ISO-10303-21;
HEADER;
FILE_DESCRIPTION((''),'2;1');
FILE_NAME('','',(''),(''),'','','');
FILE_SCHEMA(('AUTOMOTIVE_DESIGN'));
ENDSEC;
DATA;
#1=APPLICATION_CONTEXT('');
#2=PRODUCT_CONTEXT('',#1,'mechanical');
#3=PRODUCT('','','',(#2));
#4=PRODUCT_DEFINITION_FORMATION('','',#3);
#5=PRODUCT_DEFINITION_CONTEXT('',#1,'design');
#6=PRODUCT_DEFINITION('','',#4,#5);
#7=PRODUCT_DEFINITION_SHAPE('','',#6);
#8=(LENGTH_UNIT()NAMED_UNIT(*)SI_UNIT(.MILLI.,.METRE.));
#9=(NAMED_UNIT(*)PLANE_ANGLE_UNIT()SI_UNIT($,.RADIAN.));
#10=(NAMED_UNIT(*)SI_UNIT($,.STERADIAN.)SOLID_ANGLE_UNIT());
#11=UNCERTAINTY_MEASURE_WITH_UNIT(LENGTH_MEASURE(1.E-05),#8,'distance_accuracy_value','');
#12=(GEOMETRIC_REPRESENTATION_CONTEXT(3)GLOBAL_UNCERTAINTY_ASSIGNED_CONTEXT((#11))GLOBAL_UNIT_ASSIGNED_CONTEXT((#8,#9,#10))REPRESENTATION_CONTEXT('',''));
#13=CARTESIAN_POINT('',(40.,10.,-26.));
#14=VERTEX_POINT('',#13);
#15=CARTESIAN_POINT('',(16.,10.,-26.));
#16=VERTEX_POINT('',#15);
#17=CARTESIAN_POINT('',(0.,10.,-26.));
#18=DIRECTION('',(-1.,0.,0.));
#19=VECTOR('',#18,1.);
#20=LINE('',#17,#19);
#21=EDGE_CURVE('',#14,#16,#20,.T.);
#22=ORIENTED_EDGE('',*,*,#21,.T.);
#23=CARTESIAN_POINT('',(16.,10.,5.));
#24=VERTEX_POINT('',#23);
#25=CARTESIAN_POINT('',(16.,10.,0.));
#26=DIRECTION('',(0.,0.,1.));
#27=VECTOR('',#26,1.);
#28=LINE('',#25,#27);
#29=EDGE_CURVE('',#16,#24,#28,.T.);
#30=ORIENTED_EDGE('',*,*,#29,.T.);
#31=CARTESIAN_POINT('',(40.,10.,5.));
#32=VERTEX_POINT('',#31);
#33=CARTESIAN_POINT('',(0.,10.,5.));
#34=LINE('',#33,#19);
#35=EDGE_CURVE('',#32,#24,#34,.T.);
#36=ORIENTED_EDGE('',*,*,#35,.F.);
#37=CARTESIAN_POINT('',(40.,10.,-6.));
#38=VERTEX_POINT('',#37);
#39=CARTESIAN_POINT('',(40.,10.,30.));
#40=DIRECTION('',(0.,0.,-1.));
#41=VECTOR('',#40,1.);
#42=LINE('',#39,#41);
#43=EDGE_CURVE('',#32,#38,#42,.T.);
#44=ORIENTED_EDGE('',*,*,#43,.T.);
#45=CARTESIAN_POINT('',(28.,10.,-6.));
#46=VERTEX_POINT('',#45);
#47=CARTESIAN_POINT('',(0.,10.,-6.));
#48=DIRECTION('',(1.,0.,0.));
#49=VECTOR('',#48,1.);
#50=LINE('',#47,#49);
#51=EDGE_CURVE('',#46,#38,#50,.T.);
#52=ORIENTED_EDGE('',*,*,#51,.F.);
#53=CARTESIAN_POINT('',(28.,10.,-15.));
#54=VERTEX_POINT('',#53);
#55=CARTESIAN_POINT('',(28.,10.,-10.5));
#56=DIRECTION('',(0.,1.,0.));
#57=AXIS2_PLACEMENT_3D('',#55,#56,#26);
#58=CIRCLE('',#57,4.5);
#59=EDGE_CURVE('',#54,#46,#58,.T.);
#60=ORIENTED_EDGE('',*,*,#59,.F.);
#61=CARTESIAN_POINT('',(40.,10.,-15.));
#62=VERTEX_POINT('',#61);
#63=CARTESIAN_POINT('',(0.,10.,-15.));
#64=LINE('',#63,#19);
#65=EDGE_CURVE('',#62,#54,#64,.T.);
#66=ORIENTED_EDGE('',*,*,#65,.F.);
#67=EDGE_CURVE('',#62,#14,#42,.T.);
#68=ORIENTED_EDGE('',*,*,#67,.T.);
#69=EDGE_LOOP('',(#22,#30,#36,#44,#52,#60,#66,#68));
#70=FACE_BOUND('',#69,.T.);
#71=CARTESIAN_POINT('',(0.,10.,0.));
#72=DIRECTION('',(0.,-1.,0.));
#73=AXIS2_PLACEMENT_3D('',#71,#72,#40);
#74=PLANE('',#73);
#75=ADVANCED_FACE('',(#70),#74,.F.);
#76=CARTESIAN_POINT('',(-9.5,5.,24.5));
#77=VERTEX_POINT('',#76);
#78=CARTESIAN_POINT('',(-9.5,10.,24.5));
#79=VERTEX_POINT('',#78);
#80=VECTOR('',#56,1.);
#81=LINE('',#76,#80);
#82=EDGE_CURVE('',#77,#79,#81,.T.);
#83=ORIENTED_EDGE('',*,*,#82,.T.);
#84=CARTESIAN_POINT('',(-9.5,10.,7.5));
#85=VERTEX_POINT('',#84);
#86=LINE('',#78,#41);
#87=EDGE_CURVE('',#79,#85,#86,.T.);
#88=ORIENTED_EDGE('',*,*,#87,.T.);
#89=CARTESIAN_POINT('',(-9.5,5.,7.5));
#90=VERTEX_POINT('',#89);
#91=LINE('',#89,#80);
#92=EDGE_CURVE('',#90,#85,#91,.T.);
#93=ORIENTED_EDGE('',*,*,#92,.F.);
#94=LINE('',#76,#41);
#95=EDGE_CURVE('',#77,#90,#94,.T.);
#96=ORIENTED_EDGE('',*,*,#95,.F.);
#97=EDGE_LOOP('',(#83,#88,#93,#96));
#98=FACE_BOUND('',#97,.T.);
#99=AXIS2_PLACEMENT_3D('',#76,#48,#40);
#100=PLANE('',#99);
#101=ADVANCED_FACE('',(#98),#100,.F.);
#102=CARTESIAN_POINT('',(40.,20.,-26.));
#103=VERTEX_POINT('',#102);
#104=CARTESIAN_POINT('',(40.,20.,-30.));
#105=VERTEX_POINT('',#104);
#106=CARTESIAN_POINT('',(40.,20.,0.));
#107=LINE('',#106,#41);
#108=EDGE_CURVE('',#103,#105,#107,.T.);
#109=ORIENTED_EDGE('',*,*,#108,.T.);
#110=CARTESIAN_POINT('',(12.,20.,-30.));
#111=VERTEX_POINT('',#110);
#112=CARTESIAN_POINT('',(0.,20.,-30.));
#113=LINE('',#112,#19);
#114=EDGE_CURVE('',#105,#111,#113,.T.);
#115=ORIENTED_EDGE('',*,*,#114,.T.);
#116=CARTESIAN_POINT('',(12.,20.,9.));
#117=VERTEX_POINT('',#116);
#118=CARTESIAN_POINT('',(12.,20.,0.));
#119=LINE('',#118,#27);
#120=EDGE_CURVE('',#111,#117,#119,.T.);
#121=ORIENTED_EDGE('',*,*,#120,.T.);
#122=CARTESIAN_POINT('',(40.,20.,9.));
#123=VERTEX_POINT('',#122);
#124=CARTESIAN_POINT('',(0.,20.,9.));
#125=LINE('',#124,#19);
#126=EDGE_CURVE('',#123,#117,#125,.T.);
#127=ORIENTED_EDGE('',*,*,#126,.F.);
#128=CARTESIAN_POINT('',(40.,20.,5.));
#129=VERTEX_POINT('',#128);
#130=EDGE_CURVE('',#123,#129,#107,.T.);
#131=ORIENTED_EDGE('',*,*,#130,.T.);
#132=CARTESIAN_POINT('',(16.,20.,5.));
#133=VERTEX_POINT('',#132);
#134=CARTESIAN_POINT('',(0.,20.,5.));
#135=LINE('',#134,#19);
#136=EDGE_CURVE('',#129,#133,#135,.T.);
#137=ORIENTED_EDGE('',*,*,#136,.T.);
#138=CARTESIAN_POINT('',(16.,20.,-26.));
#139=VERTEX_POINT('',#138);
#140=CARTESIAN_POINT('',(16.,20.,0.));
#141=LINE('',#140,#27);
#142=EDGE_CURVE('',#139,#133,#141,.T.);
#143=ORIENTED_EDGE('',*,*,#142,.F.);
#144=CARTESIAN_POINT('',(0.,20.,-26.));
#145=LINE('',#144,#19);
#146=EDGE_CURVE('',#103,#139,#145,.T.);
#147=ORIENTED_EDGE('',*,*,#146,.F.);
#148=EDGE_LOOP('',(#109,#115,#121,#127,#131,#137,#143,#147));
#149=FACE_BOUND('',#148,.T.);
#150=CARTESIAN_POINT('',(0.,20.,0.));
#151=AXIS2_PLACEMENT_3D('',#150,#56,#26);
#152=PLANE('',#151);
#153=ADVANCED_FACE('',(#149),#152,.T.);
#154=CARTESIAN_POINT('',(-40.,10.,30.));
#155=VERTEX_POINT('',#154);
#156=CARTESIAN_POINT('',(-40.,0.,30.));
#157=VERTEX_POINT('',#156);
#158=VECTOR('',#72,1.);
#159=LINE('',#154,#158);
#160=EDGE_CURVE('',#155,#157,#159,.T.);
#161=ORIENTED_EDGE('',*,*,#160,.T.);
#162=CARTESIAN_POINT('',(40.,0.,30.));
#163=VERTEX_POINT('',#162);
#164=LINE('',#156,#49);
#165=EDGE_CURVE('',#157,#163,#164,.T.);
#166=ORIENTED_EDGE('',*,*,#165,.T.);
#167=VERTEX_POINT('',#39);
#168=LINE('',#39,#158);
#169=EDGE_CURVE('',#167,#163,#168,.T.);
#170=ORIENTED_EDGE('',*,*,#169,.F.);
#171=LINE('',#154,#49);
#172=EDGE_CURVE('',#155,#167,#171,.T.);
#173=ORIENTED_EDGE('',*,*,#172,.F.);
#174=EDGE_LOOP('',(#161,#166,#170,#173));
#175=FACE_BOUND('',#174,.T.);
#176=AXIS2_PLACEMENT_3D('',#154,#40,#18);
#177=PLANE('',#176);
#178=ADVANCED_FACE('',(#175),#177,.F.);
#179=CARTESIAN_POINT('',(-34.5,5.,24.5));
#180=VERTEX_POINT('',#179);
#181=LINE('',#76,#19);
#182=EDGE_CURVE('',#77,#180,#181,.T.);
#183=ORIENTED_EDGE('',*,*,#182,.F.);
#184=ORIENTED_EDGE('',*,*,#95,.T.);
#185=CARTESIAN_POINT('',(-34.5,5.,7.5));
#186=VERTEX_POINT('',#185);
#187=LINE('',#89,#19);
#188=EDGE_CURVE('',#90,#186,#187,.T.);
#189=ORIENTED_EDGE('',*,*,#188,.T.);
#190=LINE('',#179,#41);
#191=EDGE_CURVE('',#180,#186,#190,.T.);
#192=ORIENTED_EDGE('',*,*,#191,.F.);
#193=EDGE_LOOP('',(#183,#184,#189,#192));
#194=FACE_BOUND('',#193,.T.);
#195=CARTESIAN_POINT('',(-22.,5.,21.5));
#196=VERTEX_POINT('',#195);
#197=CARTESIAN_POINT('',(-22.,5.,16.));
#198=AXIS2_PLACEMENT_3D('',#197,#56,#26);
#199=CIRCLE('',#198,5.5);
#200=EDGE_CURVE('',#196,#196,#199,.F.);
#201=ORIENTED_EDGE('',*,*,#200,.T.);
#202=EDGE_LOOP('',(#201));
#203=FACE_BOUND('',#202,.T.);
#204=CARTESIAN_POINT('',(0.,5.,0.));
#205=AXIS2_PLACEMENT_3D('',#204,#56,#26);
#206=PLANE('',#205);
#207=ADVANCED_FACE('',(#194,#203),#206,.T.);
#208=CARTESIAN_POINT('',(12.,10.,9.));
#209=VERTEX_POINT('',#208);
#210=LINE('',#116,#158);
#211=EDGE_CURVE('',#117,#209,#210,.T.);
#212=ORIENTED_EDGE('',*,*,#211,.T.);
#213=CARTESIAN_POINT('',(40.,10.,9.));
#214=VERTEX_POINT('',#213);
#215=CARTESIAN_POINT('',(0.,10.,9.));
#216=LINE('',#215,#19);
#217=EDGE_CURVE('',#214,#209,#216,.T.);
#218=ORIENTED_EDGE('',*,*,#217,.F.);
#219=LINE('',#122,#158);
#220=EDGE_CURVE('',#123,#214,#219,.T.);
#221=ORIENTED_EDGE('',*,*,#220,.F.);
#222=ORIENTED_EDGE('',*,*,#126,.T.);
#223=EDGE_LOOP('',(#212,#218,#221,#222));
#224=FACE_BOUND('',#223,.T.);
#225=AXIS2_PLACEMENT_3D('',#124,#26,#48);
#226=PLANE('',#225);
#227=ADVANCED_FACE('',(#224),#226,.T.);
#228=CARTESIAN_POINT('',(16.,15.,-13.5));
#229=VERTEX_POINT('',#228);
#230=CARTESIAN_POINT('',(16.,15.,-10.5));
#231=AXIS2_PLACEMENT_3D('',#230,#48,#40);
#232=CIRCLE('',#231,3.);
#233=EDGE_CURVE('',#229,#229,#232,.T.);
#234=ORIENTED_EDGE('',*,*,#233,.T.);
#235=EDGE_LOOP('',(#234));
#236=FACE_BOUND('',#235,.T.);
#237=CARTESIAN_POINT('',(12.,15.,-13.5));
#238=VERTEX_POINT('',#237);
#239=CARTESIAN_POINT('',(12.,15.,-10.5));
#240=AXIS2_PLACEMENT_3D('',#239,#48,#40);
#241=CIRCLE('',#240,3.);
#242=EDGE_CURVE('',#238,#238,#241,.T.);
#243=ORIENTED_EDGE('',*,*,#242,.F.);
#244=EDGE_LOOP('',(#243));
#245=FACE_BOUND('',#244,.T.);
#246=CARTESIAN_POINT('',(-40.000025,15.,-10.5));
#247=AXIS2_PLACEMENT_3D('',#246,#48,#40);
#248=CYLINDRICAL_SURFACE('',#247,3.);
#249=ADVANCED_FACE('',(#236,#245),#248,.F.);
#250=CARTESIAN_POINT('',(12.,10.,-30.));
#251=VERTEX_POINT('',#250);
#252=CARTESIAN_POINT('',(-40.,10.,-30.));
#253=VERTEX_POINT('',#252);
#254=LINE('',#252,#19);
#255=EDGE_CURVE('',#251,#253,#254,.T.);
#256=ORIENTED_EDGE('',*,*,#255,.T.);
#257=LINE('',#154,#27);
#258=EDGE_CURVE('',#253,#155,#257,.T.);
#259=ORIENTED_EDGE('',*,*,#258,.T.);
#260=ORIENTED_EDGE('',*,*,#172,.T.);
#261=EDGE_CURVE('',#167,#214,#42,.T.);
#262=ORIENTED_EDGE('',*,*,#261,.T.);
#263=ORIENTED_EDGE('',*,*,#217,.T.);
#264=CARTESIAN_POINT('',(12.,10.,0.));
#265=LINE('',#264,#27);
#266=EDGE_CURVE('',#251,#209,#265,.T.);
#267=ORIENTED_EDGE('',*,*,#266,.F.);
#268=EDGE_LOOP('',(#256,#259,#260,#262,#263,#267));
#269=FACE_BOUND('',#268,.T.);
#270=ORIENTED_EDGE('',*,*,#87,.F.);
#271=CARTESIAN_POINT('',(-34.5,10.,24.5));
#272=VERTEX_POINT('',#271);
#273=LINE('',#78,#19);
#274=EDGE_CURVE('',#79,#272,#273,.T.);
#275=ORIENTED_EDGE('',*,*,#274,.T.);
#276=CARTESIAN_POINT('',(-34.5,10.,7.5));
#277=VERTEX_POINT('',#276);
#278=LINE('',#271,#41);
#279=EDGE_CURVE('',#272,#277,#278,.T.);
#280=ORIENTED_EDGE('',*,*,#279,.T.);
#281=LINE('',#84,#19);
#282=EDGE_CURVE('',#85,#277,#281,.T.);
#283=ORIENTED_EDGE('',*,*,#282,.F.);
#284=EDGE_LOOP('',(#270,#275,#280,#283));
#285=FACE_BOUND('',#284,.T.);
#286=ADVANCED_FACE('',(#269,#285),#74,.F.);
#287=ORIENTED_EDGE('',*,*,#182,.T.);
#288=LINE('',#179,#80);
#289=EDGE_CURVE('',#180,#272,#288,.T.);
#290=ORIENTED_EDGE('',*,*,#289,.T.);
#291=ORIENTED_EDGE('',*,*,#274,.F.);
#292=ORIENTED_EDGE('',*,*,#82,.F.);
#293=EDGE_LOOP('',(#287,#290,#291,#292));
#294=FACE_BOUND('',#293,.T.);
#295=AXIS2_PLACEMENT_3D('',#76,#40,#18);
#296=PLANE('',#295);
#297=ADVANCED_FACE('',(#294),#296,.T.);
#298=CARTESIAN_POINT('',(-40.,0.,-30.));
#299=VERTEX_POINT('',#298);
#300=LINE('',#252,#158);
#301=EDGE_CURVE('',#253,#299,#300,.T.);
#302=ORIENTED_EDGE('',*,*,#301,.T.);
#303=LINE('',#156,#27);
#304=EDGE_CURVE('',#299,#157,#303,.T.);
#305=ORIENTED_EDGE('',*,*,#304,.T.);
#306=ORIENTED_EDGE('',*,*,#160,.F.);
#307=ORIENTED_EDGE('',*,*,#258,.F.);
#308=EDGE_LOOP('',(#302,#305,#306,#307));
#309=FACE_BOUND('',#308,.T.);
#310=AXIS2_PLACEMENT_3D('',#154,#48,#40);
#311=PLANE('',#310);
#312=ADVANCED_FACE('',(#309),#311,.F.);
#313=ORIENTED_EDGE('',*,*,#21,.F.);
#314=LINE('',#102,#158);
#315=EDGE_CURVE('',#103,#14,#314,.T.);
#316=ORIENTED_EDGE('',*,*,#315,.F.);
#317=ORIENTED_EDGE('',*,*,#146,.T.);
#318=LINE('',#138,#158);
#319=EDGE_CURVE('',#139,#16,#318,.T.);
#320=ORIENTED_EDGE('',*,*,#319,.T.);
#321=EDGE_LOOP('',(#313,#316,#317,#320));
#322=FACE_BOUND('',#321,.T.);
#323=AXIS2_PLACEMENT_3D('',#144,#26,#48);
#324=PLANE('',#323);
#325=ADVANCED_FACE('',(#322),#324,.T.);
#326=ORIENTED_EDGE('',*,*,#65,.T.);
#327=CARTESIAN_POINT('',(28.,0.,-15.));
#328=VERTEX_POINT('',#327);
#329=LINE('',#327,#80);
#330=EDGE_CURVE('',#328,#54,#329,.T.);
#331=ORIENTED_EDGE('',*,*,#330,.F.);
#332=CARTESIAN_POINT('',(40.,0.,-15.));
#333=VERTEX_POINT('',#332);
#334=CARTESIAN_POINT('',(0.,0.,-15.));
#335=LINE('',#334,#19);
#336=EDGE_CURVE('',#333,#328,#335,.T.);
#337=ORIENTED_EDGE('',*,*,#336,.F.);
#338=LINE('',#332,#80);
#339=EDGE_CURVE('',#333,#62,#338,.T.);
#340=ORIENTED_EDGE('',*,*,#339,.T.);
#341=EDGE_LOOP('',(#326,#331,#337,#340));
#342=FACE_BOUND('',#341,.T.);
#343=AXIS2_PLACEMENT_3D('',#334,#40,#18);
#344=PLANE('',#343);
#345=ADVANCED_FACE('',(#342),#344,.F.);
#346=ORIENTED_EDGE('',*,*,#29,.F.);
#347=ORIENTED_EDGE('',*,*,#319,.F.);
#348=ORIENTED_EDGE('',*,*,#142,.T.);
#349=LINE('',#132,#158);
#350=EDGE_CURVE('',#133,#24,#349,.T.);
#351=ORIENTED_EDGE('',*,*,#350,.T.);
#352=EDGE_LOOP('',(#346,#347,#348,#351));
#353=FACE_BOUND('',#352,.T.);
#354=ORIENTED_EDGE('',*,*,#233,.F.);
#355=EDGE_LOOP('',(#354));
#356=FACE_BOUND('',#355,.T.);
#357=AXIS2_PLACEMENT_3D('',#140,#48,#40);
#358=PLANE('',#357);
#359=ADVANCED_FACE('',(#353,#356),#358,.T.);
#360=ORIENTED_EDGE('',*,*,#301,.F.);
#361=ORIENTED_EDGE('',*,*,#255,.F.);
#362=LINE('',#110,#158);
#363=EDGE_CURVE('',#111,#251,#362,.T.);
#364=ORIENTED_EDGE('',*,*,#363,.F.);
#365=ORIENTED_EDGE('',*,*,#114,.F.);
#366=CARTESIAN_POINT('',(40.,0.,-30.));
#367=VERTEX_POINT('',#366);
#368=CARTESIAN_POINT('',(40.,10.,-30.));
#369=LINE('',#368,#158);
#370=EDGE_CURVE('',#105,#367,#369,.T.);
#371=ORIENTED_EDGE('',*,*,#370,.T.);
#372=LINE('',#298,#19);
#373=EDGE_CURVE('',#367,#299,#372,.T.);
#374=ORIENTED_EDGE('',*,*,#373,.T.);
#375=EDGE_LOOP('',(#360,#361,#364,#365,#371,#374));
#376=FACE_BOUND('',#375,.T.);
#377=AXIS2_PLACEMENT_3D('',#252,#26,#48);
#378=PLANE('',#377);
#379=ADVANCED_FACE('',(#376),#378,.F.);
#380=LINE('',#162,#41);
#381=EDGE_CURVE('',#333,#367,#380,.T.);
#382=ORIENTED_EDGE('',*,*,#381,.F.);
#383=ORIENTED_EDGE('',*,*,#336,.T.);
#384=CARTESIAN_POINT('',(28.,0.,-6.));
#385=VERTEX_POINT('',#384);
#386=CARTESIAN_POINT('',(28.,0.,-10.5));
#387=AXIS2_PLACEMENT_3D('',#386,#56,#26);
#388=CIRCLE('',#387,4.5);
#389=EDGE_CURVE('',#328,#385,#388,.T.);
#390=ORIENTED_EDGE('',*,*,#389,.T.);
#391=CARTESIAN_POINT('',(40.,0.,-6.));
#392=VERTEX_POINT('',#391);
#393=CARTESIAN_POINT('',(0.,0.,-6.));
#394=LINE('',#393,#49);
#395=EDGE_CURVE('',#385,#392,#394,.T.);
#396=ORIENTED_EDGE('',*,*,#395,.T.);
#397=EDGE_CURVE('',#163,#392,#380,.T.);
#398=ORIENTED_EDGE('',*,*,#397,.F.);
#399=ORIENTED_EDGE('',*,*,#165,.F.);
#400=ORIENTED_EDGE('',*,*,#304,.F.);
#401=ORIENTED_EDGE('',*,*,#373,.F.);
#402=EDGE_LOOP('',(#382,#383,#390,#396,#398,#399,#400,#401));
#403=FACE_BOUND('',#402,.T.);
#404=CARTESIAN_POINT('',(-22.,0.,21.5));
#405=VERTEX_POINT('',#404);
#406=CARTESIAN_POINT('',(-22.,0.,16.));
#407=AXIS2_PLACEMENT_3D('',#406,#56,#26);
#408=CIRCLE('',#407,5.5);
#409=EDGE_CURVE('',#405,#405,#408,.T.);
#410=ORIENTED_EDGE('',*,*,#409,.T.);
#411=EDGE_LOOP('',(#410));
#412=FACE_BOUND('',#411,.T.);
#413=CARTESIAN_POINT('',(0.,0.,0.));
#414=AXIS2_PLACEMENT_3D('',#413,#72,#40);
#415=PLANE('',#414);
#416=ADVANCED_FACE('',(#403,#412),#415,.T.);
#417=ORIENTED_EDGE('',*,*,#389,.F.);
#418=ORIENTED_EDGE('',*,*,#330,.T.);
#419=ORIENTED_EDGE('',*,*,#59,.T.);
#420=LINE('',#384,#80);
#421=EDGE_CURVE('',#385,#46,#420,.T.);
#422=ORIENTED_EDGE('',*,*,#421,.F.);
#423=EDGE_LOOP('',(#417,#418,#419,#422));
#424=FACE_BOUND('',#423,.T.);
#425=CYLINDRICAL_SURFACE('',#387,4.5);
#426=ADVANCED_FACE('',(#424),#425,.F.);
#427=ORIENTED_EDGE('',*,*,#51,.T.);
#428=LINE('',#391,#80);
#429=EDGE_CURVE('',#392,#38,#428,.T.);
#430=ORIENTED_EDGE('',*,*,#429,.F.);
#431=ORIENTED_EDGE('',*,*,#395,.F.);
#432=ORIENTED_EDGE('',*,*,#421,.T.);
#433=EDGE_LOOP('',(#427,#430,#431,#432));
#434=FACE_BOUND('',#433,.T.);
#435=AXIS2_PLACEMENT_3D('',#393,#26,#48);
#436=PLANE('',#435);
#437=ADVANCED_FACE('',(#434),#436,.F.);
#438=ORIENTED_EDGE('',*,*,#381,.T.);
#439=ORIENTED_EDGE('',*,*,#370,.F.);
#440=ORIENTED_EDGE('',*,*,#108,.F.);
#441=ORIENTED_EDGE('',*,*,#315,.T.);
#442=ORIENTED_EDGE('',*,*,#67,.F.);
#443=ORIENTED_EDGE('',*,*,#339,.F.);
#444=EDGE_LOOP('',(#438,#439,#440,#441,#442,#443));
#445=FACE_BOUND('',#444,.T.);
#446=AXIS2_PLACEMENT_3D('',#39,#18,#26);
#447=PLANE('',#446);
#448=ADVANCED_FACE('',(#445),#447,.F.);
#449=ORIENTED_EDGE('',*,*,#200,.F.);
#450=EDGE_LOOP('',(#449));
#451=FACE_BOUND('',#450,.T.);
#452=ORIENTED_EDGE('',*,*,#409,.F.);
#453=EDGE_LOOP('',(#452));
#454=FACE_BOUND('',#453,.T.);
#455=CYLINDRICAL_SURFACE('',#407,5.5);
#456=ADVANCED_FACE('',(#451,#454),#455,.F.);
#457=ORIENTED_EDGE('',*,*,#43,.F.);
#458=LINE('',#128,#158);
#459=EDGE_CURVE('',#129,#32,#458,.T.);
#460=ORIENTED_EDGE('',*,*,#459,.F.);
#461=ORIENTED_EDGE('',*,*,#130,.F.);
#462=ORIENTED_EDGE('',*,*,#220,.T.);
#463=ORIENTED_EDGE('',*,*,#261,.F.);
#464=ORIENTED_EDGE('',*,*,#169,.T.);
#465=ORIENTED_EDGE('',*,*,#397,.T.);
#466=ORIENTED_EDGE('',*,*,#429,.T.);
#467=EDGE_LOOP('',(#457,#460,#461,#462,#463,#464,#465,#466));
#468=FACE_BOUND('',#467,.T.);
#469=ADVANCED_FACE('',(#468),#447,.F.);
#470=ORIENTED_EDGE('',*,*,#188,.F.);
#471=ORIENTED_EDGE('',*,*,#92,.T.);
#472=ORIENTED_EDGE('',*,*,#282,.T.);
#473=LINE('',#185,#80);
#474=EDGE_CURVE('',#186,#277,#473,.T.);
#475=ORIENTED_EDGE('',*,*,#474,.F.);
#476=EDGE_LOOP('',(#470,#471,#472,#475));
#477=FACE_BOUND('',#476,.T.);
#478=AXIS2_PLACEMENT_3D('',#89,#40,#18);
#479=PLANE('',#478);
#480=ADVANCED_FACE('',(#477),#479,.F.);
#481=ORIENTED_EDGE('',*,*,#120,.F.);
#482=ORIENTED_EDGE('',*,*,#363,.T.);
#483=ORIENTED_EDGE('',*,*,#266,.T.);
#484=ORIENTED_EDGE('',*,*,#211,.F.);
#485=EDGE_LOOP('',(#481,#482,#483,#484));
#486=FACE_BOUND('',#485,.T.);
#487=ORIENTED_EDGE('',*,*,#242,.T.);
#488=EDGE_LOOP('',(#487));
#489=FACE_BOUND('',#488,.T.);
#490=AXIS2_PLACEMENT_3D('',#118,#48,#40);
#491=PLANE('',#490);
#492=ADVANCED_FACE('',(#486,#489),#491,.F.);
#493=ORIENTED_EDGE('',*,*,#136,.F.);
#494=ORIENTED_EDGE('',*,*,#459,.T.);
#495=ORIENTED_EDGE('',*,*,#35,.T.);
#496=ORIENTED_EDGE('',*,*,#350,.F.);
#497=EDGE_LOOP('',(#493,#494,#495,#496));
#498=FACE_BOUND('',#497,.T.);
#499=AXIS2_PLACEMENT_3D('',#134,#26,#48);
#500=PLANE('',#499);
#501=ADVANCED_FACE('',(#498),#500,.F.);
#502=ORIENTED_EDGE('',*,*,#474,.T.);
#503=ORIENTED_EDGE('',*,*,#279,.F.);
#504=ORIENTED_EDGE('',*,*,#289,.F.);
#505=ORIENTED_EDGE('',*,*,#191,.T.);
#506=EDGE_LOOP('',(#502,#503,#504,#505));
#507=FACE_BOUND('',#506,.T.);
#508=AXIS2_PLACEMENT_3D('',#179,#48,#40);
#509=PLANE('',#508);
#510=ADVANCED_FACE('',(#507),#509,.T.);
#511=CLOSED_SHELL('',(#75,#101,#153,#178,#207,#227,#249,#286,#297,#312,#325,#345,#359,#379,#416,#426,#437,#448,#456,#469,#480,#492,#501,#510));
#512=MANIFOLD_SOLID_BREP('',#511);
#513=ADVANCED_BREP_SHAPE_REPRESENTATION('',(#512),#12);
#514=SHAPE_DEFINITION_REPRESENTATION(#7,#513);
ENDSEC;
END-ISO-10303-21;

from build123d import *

# Parameters (mm, degrees)
SKETCH_1_W          = 80
SKETCH_1_H          = 60
EXTRUDE_1_DEPTH     = 10
SKETCH_2_R          = 5.5
SKETCH_2_R_2        = 4.5
CUT_EXTRUDE_1_DEPTH = 51.990195136
EXTRUDE_2_DEPTH     = 10
SKETCH_5_R          = 3
CUT_EXTRUDE_3_DEPTH = 67.603303221
SKETCH_6_W          = 25
SKETCH_6_H          = 17
CUT_EXTRUDE_4_DEPTH = 5


with BuildPart() as part:
    # Эскиз1 → Бобышка-Вытянуть1 (new body)
    with BuildSketch(Plane(origin=(0, 0, 0), x_dir=(1, 0, 0), z_dir=(0, 1, 0))):
        Rectangle(SKETCH_1_W, SKETCH_1_H)
    extrude(amount=EXTRUDE_1_DEPTH)

    # Эскиз2 → Вырез-Вытянуть1 (cut, through all)
    with BuildSketch(Plane(origin=(0, 10, 0), x_dir=(1, 0, 0), z_dir=(0, 1, 0))):
        with Locations(Location((-22, -16, 0), (0, 0, 270))):
            Circle(SKETCH_2_R)
        with Locations((28, 10.5)):
            Circle(SKETCH_2_R_2)
        with BuildLine():
            ThreePointArc((32.5, 10.5), (31.181980515, 7.318019485), (28, 6))
            Line((28, 6), (40, 6))
            Line((40, 6), (40, 15))
            Line((40, 15), (28, 15))
            ThreePointArc((28, 15), (31.181980515, 13.681980515), (32.5, 10.5))
        make_face()
    extrude(amount=-CUT_EXTRUDE_1_DEPTH, mode=Mode.SUBTRACT)

    # Эскиз4 → Бобышка-Вытянуть2 (add)
    with BuildSketch(Plane(origin=(0, 10, 0), x_dir=(1, 0, 0), z_dir=(0, 1, 0))):
        Polygon((40, -9), (40, -5), (16, -5), (16, 26), (40, 26), (40, 30), (12, 30), (12, -9), align=None)
    extrude(amount=EXTRUDE_2_DEPTH)

    # Эскиз5 → Вырез-Вытянуть3 (cut, through all)
    with BuildSketch(Plane(origin=(16, 0, 0), x_dir=(0, 0, -1), z_dir=(1, 0, 0))):
        with Locations((10.5, 15)):
            Circle(SKETCH_5_R)
    extrude(amount=-CUT_EXTRUDE_3_DEPTH, mode=Mode.SUBTRACT)

    # Эскиз6 → Вырез-Вытянуть4 (cut)
    with BuildSketch(Plane(origin=(0, 10, 0), x_dir=(1, 0, 0), z_dir=(0, 1, 0))):
        with Locations((-22, -16)):
            Rectangle(SKETCH_6_W, SKETCH_6_H)
    extrude(amount=-CUT_EXTRUDE_4_DEPTH, mode=Mode.SUBTRACT)


solid = part.part
